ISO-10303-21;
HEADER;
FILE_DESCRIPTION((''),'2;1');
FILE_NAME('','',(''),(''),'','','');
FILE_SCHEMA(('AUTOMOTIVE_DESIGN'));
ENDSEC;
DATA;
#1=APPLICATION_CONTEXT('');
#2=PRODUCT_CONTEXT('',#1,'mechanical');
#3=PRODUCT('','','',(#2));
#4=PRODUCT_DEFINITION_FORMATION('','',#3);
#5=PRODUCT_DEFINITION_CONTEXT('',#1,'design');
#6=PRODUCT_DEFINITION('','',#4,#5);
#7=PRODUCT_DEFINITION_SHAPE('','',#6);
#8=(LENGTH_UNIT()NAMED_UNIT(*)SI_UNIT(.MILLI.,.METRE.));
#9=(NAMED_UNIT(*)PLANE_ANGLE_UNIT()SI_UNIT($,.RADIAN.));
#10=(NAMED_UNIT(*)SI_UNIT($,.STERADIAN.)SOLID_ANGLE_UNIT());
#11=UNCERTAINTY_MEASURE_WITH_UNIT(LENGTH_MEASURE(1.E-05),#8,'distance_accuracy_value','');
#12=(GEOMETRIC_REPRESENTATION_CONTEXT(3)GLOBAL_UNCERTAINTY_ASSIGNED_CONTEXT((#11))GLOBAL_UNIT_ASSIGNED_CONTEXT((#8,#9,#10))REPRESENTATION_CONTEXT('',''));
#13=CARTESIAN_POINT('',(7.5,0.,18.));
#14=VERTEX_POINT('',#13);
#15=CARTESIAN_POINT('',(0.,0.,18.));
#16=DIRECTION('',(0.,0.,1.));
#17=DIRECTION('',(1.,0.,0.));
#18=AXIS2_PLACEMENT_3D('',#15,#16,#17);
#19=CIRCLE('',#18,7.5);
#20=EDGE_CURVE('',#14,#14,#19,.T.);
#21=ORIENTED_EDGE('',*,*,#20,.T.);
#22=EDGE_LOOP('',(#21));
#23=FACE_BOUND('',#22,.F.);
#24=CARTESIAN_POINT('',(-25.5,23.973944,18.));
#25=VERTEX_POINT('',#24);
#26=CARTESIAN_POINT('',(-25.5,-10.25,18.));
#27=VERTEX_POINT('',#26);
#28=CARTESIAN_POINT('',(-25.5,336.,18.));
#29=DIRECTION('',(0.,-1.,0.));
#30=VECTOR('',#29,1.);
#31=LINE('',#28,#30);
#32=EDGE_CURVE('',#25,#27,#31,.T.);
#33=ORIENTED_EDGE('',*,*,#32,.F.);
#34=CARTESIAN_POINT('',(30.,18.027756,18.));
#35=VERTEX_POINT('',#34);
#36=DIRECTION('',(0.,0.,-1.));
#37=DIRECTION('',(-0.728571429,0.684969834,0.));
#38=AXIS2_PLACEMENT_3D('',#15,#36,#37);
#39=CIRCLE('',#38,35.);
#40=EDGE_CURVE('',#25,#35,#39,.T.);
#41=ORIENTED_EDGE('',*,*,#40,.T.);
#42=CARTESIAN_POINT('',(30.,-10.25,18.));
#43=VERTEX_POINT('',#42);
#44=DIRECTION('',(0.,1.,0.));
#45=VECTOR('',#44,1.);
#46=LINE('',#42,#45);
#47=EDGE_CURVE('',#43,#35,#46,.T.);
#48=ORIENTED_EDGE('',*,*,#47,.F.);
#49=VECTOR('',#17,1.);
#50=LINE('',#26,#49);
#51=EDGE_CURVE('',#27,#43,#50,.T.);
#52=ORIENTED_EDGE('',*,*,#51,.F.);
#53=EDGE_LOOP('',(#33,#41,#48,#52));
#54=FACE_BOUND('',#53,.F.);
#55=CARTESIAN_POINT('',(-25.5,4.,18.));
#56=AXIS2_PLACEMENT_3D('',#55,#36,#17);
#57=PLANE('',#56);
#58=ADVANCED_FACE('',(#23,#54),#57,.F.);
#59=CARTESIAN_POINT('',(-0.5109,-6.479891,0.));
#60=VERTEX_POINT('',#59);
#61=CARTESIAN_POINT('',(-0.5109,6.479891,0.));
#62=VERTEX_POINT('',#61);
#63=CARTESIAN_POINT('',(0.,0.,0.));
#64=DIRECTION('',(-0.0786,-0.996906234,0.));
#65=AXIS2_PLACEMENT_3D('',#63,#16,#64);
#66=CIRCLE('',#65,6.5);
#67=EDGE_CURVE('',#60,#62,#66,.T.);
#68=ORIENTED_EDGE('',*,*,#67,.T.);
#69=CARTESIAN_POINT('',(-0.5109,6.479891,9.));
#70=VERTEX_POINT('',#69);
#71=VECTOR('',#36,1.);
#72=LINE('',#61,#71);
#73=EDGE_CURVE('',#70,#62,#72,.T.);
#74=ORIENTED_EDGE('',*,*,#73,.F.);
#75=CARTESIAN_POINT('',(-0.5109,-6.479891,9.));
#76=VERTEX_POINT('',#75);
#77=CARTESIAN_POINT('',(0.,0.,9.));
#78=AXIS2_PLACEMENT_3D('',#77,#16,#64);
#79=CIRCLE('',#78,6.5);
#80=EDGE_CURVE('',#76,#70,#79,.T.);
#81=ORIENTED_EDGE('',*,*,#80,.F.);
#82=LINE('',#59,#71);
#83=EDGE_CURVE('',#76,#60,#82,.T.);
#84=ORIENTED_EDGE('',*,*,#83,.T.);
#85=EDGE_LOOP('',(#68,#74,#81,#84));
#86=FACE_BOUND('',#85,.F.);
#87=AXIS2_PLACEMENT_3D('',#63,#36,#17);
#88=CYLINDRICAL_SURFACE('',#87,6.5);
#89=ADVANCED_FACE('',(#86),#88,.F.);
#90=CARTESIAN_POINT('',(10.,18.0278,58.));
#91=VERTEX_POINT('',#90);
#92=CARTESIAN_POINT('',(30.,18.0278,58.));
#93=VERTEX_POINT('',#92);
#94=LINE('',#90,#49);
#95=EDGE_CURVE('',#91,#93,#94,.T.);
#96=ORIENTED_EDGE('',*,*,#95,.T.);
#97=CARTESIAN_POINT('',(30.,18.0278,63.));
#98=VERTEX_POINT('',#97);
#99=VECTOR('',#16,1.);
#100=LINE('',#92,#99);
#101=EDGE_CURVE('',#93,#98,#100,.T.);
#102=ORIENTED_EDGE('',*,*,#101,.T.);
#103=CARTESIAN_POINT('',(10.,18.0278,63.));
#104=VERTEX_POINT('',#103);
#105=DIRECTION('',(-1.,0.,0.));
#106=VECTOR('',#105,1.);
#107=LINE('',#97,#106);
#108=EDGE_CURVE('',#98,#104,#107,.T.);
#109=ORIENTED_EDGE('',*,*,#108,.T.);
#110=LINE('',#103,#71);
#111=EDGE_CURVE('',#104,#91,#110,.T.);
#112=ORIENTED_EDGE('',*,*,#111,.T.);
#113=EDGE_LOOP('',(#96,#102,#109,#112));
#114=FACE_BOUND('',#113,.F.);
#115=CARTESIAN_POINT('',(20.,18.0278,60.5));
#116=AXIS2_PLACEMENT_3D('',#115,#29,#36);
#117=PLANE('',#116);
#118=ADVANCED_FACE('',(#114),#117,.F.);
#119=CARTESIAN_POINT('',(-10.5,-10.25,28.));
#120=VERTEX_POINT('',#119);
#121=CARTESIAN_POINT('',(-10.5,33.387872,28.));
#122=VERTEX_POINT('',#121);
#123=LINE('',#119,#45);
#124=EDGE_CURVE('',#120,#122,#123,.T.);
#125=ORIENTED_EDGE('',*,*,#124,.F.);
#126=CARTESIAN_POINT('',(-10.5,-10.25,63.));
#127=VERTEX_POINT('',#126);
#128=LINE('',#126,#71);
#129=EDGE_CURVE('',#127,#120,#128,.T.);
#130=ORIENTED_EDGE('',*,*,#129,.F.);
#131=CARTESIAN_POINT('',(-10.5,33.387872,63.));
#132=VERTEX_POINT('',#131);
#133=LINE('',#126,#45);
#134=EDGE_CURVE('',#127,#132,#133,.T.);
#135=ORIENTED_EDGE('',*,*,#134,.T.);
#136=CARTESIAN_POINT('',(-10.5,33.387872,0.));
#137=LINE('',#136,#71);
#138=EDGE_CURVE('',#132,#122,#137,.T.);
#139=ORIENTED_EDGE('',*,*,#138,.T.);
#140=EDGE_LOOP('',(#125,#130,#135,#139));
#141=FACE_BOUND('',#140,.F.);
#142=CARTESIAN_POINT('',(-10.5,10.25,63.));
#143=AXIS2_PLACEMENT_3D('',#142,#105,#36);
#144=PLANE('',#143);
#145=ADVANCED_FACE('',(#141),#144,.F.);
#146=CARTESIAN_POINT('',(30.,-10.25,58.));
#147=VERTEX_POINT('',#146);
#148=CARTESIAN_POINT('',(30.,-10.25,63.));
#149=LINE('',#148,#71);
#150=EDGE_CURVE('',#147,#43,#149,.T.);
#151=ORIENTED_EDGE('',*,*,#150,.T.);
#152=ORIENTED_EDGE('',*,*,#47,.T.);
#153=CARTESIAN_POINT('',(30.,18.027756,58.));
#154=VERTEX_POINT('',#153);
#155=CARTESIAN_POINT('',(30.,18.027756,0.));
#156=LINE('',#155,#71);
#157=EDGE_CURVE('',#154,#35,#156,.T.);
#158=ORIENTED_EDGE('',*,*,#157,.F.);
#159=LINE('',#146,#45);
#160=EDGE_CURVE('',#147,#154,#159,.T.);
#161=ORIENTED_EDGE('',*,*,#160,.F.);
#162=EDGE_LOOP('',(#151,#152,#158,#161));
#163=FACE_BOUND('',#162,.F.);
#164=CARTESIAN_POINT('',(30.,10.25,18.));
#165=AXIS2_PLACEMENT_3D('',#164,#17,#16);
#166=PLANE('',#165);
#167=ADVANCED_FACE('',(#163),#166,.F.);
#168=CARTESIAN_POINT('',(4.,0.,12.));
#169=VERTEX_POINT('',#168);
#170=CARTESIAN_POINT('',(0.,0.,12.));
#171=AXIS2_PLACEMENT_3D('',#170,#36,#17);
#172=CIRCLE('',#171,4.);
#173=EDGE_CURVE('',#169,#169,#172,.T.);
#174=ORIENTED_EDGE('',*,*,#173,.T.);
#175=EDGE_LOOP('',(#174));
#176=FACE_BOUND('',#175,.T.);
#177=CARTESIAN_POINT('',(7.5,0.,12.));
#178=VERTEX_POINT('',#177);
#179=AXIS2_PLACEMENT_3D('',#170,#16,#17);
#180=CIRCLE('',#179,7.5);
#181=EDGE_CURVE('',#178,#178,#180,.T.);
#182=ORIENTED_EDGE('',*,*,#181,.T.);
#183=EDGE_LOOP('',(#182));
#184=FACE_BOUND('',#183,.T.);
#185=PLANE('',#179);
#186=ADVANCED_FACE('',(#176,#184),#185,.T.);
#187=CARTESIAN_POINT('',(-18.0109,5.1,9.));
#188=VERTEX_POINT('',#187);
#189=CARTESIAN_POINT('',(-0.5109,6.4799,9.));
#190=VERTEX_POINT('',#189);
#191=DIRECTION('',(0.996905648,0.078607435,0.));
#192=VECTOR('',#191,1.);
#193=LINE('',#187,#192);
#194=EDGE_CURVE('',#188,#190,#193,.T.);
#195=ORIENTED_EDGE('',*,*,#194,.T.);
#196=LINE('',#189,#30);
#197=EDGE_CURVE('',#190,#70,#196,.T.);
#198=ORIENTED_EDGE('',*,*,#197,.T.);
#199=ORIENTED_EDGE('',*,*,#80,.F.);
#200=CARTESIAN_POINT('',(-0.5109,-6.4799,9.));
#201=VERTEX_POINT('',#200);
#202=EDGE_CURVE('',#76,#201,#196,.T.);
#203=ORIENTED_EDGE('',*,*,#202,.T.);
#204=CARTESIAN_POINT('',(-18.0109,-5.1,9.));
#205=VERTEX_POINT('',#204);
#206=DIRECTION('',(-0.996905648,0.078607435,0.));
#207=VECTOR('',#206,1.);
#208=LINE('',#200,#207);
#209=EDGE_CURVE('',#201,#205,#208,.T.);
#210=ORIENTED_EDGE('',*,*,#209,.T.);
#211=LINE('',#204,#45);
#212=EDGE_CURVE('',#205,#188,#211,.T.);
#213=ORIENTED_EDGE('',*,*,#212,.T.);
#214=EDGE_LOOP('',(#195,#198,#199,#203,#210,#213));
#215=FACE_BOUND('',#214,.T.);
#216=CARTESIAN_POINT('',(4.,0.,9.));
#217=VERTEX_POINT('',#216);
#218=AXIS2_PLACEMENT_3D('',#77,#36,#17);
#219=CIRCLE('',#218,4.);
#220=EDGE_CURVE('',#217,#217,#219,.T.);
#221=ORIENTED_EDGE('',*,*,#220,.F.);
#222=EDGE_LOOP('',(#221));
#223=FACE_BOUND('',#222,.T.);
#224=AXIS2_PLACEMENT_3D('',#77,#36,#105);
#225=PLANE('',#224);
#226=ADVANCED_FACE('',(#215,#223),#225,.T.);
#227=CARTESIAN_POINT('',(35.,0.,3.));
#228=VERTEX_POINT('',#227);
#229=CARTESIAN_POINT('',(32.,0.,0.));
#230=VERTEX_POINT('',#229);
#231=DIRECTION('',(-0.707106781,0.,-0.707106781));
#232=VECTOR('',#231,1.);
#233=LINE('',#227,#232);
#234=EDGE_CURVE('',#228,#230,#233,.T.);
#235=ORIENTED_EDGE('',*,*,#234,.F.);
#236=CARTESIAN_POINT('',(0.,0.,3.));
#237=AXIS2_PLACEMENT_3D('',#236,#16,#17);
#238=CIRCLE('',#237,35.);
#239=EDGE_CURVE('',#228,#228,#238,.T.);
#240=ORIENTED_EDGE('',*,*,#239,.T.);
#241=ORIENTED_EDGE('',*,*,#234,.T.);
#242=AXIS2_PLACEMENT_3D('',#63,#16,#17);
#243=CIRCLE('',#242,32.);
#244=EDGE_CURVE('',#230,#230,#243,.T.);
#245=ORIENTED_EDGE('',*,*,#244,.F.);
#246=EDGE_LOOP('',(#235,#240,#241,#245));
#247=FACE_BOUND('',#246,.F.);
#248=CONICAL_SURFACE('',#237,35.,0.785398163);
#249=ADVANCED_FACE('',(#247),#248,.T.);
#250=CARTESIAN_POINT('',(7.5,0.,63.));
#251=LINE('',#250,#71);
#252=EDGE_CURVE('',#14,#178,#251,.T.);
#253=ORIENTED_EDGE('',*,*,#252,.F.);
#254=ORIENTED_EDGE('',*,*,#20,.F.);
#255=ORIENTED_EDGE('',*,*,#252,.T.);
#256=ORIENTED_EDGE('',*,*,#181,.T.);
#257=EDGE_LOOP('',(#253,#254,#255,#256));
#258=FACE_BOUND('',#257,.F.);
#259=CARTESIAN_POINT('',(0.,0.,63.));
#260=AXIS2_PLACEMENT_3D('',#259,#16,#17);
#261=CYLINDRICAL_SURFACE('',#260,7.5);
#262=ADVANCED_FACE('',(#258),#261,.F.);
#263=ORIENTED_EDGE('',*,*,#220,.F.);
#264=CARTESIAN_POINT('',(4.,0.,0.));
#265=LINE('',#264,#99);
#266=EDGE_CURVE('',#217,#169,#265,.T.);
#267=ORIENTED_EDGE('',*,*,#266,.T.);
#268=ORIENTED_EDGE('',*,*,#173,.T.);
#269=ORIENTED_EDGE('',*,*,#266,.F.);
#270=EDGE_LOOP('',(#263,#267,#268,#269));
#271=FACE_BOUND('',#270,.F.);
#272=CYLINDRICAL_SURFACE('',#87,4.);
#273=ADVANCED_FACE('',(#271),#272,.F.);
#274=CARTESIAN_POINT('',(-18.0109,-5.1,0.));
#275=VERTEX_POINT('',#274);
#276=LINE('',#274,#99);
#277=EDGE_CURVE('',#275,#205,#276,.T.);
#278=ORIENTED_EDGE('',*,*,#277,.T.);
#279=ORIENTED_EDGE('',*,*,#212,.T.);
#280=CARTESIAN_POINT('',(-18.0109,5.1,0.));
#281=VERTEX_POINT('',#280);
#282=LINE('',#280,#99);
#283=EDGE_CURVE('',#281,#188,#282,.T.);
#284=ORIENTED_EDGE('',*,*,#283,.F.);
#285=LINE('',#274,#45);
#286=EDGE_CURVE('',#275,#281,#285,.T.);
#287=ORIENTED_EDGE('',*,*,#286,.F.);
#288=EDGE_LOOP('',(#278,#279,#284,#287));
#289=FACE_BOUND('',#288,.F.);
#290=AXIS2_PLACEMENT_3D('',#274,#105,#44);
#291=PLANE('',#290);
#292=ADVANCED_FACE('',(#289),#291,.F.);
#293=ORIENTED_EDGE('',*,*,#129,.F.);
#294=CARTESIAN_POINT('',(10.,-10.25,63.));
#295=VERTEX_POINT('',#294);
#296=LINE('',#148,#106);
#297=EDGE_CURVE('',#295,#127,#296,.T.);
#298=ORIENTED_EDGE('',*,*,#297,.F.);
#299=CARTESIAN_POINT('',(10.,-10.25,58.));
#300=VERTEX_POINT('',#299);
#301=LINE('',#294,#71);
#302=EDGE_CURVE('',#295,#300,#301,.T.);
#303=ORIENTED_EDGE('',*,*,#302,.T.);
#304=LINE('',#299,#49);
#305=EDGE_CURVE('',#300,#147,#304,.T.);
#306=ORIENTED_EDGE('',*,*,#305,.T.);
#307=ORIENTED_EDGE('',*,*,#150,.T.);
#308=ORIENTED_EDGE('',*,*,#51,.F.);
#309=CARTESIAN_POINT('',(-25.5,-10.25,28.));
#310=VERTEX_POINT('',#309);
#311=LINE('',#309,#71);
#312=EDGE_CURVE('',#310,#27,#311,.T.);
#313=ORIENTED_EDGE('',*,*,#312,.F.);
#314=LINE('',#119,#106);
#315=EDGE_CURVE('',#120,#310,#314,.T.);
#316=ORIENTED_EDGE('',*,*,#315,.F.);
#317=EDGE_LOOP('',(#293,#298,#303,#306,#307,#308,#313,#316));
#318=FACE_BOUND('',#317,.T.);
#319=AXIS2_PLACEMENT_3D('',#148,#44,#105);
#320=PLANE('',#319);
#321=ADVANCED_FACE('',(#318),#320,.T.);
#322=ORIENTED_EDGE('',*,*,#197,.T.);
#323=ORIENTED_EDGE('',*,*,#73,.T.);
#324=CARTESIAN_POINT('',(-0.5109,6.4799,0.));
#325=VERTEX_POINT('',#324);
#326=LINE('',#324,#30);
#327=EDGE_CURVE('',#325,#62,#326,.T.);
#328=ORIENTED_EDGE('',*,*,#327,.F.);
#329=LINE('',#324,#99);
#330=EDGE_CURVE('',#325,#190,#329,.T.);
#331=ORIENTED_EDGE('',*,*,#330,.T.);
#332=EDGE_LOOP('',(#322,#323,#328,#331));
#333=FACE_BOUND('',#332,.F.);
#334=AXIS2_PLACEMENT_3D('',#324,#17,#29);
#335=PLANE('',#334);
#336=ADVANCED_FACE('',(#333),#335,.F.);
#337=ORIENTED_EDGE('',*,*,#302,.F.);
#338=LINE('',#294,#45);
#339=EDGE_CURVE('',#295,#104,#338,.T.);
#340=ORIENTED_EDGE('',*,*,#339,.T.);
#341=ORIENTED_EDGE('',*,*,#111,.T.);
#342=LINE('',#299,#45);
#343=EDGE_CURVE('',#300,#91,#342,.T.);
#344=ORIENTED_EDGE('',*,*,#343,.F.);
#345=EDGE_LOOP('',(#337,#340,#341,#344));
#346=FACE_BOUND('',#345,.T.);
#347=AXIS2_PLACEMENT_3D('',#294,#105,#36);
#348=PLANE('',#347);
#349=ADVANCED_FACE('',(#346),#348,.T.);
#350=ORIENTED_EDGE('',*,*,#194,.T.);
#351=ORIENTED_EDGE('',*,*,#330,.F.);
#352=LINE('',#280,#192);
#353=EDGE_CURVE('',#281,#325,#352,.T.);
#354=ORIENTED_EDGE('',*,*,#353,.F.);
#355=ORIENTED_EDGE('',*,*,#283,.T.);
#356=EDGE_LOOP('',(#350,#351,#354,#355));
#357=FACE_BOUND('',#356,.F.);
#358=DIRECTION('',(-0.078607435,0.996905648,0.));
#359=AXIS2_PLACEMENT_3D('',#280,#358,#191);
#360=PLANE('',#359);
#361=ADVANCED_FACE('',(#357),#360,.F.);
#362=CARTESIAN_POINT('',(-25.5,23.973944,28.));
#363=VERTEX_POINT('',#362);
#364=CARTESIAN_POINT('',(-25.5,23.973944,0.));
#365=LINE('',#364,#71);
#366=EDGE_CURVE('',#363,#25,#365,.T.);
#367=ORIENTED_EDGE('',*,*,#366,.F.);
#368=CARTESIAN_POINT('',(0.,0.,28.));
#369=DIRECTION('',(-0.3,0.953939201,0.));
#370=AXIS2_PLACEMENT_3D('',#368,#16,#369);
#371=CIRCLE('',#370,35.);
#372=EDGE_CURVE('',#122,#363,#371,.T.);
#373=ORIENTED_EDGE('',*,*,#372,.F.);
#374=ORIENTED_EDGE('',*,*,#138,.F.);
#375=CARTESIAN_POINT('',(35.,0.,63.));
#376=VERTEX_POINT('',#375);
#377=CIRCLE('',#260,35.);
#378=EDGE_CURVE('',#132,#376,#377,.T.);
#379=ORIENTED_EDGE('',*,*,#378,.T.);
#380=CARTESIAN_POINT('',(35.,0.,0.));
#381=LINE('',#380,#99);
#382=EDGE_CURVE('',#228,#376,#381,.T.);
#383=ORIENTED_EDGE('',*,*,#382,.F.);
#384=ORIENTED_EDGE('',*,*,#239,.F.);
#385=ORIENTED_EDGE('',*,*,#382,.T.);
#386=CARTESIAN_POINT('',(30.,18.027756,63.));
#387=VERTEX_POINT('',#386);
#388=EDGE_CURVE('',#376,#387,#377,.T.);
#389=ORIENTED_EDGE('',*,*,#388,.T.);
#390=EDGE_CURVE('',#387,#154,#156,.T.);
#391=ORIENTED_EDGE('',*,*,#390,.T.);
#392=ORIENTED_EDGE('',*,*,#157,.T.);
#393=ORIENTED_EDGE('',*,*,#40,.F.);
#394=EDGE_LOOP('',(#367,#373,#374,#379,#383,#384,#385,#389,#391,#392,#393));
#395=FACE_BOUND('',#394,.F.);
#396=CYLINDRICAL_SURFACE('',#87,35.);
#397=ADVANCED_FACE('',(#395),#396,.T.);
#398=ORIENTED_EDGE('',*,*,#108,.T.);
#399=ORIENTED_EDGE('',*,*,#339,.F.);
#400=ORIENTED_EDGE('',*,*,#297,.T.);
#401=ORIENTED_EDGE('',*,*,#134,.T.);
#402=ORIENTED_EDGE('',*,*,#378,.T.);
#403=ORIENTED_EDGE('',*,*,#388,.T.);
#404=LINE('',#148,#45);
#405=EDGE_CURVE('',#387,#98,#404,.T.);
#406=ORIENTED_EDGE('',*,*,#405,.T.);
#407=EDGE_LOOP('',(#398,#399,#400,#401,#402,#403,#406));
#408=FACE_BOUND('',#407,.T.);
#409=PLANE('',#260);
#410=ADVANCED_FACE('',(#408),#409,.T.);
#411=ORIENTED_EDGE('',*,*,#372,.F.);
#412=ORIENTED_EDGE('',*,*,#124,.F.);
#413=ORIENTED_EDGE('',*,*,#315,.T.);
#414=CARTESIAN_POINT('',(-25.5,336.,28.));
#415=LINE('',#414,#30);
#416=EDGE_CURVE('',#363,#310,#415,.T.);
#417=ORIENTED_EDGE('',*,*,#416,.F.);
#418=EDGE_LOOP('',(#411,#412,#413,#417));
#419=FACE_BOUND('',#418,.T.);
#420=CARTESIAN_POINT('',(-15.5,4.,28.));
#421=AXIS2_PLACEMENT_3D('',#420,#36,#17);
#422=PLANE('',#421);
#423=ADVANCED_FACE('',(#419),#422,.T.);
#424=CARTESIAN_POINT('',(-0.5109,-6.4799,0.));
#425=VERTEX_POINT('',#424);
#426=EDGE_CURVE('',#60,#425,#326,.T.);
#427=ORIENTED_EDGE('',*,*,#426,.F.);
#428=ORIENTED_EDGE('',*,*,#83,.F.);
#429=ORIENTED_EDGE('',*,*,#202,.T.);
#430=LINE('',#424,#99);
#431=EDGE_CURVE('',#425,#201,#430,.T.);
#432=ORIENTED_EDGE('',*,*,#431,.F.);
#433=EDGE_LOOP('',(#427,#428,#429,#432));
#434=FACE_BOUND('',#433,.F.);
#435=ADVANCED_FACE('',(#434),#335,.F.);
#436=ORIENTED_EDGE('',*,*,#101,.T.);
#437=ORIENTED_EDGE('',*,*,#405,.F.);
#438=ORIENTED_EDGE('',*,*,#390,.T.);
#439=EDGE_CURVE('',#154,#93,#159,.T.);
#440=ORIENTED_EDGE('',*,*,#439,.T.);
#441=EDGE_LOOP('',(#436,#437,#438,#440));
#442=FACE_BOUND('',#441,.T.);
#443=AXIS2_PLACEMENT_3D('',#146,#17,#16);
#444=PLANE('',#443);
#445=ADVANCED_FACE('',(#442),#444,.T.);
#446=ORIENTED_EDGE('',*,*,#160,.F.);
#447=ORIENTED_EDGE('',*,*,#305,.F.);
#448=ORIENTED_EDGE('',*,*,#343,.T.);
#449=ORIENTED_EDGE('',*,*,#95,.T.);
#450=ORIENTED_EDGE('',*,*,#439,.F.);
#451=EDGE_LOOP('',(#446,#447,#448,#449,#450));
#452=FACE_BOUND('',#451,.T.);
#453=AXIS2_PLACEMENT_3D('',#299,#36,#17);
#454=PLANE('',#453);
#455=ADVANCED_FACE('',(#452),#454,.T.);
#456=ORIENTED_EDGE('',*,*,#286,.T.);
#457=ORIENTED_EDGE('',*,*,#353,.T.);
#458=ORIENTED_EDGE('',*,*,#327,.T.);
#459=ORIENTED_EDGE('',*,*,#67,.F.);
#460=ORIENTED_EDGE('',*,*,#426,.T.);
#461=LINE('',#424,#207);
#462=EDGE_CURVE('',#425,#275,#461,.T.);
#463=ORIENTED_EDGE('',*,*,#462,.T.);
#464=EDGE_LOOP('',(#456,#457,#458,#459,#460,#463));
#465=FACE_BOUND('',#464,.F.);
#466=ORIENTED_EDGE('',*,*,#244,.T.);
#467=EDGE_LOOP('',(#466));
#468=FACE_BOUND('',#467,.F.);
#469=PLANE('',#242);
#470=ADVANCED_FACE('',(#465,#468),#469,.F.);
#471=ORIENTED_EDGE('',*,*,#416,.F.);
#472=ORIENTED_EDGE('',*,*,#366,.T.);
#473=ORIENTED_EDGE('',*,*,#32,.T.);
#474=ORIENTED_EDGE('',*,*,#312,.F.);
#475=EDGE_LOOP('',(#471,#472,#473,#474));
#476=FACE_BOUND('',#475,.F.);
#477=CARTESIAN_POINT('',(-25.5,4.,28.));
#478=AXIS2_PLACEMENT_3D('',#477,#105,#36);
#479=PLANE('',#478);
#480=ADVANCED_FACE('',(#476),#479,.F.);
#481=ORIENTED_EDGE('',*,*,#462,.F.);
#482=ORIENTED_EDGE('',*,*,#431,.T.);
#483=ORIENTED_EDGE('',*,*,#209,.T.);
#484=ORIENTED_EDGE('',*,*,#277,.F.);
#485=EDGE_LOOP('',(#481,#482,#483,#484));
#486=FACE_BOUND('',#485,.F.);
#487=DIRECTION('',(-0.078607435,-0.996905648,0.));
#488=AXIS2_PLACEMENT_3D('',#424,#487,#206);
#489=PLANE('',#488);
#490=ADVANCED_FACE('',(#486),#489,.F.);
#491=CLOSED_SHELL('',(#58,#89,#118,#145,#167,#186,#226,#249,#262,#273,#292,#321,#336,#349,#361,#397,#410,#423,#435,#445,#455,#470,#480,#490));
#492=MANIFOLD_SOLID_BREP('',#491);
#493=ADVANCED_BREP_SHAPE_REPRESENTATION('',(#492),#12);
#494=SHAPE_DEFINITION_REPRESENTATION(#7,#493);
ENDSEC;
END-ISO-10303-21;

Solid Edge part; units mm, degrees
sketch "Sketch1" plane through (0, 0, 0) normal (0, 0, 1) x (1, 0, 0)
  circle A0 centre (0, 0) radius 35
  dimension "D1" = 70
extrude "Protrusion1" add sketch "Sketch1" along normal blind 63
sketch "Sketch2" plane through (0, 0, 63) normal (0, 0, 1) x (1, 0, 0)
  line L0 (-10.5, 10.25) -> (30, 10.25)
  line L1 (30, 10.25) -> (30, -10.25)
  line L2 (30, -10.25) -> (-10.5, -10.25)
  line L3 (-10.5, -10.25) -> (-10.5, 10.25)
  dimension "D1" = 10.5
  dimension "D2" = 20.5
  dimension "D3" = 40.5
extrude "Extrusionsausschnitt_1" cut sketch "Sketch2" against normal blind 45
sketch "Sketch3" plane through (0, 0, 0) normal (0, 0, -1) x (1, 0, 0)
  circle A0 centre (0, 0) radius 6.5
  dimension "D1" = 13
extrude "Extrusionsausschnitt_4" cut sketch "Sketch3" against normal blind 9
sketch "Sketch4" plane through (0, 0, 0) normal (0, 0, -1) x (1, 0, 0)
  line L0 (-0.5109, 6.4799) -> (-18.0109, 5.1)
  line L1 (-18.0109, 5.1) -> (-18.0109, -5.1)
  line L2 (-18.0109, -5.1) -> (-0.5109, -6.4799)
  line L3 (-0.5109, -6.4799) -> (-0.5109, 6.4799)
  dimension "D1" = 10.2
  dimension "D2" = 17.5
extrude "Cutout1" cut sketch "Sketch4" against normal up to vertex (9 mm away)
sketch "Sketch5" plane through (0, 0, 63) normal (0, 0, 1) x (1, 0, 0)
  circle A0 centre (0, 0) radius 7.5
  dimension "D1" = 15
extrude "Extrusionsausschnitt_6" cut sketch "Sketch5" against normal blind 51
sketch "Sketch6" plane through (0, 0, 0) normal (0, 0, -1) x (1, 0, 0)
  circle A0 centre (0, 0) radius 4
extrude "Cutout2" cut sketch "Sketch6" against normal through all
sketch "Sketch7" plane through (9.75, 10.25, 41.5) normal (0, -1, 0) x (1, 0, 0)
  line L0 (20.25, -23.5) -> (20.25, 21.5)
  line L1 (20.25, 21.5) -> (-20.25, 21.5)
  line L2 (-20.25, 21.5) -> (-20.25, -23.5)
  line L3 (-20.25, -23.5) -> (20.25, -23.5)
extrude "Cutout3" cut sketch "Sketch7" against normal through all
sketch "Sketch8" plane through (9.75, -10.25, 41.5) normal (0, 1, 0) x (-1, 0, 0)
  line L0 (-20.25, 21.5) -> (-0.25, 21.5)
  line L1 (-0.25, 21.5) -> (-0.25, 16.5)
  line L2 (-0.25, 16.5) -> (-20.25, 16.5)
  line L3 (-20.25, 16.5) -> (-20.25, 21.5)
  dimension "D1" = 20
  dimension "D2" = 5
extrude "Protrusion2" add sketch "Sketch8" along normal up to vertex (28.2778 mm away)
sketch "Sketch9" plane through (-13, 4, 41.5) normal (0, -1, 0) x (0, 0, 1)
  line L0 (-13.5, 2.5) -> (-23.5, 2.5)
  line L1 (-23.5, 2.5) -> (-23.5, -2.5)
  line L2 (-13.5, -2.5) -> (-23.5, -2.5)
  line L3 (-13.5, 2.5) -> (-13.5, -2.5)
  dimension "D1" = 10
extrude "Cutout4" cut sketch "Sketch9" against normal through all
sketch "Sketch10" plane through (-13, 4, 25) normal (0, 1, 0) x (-1, 0, 0)
  line L0 (-2.5, 3) -> (12.5, 3)
  line L1 (12.5, 3) -> (12.5, -7)
  line L2 (12.5, -7) -> (-2.5, -7)
  line L3 (-2.5, -7) -> (-2.5, 3)
  dimension "D1" = 15
extrude "Cutout5" cut sketch "Sketch10" along normal through all and the other way up to vertex (14.25 mm away)
chamfer "Fase_1" distance 3 angle 45 1 edges at (-35, 0, 0)
